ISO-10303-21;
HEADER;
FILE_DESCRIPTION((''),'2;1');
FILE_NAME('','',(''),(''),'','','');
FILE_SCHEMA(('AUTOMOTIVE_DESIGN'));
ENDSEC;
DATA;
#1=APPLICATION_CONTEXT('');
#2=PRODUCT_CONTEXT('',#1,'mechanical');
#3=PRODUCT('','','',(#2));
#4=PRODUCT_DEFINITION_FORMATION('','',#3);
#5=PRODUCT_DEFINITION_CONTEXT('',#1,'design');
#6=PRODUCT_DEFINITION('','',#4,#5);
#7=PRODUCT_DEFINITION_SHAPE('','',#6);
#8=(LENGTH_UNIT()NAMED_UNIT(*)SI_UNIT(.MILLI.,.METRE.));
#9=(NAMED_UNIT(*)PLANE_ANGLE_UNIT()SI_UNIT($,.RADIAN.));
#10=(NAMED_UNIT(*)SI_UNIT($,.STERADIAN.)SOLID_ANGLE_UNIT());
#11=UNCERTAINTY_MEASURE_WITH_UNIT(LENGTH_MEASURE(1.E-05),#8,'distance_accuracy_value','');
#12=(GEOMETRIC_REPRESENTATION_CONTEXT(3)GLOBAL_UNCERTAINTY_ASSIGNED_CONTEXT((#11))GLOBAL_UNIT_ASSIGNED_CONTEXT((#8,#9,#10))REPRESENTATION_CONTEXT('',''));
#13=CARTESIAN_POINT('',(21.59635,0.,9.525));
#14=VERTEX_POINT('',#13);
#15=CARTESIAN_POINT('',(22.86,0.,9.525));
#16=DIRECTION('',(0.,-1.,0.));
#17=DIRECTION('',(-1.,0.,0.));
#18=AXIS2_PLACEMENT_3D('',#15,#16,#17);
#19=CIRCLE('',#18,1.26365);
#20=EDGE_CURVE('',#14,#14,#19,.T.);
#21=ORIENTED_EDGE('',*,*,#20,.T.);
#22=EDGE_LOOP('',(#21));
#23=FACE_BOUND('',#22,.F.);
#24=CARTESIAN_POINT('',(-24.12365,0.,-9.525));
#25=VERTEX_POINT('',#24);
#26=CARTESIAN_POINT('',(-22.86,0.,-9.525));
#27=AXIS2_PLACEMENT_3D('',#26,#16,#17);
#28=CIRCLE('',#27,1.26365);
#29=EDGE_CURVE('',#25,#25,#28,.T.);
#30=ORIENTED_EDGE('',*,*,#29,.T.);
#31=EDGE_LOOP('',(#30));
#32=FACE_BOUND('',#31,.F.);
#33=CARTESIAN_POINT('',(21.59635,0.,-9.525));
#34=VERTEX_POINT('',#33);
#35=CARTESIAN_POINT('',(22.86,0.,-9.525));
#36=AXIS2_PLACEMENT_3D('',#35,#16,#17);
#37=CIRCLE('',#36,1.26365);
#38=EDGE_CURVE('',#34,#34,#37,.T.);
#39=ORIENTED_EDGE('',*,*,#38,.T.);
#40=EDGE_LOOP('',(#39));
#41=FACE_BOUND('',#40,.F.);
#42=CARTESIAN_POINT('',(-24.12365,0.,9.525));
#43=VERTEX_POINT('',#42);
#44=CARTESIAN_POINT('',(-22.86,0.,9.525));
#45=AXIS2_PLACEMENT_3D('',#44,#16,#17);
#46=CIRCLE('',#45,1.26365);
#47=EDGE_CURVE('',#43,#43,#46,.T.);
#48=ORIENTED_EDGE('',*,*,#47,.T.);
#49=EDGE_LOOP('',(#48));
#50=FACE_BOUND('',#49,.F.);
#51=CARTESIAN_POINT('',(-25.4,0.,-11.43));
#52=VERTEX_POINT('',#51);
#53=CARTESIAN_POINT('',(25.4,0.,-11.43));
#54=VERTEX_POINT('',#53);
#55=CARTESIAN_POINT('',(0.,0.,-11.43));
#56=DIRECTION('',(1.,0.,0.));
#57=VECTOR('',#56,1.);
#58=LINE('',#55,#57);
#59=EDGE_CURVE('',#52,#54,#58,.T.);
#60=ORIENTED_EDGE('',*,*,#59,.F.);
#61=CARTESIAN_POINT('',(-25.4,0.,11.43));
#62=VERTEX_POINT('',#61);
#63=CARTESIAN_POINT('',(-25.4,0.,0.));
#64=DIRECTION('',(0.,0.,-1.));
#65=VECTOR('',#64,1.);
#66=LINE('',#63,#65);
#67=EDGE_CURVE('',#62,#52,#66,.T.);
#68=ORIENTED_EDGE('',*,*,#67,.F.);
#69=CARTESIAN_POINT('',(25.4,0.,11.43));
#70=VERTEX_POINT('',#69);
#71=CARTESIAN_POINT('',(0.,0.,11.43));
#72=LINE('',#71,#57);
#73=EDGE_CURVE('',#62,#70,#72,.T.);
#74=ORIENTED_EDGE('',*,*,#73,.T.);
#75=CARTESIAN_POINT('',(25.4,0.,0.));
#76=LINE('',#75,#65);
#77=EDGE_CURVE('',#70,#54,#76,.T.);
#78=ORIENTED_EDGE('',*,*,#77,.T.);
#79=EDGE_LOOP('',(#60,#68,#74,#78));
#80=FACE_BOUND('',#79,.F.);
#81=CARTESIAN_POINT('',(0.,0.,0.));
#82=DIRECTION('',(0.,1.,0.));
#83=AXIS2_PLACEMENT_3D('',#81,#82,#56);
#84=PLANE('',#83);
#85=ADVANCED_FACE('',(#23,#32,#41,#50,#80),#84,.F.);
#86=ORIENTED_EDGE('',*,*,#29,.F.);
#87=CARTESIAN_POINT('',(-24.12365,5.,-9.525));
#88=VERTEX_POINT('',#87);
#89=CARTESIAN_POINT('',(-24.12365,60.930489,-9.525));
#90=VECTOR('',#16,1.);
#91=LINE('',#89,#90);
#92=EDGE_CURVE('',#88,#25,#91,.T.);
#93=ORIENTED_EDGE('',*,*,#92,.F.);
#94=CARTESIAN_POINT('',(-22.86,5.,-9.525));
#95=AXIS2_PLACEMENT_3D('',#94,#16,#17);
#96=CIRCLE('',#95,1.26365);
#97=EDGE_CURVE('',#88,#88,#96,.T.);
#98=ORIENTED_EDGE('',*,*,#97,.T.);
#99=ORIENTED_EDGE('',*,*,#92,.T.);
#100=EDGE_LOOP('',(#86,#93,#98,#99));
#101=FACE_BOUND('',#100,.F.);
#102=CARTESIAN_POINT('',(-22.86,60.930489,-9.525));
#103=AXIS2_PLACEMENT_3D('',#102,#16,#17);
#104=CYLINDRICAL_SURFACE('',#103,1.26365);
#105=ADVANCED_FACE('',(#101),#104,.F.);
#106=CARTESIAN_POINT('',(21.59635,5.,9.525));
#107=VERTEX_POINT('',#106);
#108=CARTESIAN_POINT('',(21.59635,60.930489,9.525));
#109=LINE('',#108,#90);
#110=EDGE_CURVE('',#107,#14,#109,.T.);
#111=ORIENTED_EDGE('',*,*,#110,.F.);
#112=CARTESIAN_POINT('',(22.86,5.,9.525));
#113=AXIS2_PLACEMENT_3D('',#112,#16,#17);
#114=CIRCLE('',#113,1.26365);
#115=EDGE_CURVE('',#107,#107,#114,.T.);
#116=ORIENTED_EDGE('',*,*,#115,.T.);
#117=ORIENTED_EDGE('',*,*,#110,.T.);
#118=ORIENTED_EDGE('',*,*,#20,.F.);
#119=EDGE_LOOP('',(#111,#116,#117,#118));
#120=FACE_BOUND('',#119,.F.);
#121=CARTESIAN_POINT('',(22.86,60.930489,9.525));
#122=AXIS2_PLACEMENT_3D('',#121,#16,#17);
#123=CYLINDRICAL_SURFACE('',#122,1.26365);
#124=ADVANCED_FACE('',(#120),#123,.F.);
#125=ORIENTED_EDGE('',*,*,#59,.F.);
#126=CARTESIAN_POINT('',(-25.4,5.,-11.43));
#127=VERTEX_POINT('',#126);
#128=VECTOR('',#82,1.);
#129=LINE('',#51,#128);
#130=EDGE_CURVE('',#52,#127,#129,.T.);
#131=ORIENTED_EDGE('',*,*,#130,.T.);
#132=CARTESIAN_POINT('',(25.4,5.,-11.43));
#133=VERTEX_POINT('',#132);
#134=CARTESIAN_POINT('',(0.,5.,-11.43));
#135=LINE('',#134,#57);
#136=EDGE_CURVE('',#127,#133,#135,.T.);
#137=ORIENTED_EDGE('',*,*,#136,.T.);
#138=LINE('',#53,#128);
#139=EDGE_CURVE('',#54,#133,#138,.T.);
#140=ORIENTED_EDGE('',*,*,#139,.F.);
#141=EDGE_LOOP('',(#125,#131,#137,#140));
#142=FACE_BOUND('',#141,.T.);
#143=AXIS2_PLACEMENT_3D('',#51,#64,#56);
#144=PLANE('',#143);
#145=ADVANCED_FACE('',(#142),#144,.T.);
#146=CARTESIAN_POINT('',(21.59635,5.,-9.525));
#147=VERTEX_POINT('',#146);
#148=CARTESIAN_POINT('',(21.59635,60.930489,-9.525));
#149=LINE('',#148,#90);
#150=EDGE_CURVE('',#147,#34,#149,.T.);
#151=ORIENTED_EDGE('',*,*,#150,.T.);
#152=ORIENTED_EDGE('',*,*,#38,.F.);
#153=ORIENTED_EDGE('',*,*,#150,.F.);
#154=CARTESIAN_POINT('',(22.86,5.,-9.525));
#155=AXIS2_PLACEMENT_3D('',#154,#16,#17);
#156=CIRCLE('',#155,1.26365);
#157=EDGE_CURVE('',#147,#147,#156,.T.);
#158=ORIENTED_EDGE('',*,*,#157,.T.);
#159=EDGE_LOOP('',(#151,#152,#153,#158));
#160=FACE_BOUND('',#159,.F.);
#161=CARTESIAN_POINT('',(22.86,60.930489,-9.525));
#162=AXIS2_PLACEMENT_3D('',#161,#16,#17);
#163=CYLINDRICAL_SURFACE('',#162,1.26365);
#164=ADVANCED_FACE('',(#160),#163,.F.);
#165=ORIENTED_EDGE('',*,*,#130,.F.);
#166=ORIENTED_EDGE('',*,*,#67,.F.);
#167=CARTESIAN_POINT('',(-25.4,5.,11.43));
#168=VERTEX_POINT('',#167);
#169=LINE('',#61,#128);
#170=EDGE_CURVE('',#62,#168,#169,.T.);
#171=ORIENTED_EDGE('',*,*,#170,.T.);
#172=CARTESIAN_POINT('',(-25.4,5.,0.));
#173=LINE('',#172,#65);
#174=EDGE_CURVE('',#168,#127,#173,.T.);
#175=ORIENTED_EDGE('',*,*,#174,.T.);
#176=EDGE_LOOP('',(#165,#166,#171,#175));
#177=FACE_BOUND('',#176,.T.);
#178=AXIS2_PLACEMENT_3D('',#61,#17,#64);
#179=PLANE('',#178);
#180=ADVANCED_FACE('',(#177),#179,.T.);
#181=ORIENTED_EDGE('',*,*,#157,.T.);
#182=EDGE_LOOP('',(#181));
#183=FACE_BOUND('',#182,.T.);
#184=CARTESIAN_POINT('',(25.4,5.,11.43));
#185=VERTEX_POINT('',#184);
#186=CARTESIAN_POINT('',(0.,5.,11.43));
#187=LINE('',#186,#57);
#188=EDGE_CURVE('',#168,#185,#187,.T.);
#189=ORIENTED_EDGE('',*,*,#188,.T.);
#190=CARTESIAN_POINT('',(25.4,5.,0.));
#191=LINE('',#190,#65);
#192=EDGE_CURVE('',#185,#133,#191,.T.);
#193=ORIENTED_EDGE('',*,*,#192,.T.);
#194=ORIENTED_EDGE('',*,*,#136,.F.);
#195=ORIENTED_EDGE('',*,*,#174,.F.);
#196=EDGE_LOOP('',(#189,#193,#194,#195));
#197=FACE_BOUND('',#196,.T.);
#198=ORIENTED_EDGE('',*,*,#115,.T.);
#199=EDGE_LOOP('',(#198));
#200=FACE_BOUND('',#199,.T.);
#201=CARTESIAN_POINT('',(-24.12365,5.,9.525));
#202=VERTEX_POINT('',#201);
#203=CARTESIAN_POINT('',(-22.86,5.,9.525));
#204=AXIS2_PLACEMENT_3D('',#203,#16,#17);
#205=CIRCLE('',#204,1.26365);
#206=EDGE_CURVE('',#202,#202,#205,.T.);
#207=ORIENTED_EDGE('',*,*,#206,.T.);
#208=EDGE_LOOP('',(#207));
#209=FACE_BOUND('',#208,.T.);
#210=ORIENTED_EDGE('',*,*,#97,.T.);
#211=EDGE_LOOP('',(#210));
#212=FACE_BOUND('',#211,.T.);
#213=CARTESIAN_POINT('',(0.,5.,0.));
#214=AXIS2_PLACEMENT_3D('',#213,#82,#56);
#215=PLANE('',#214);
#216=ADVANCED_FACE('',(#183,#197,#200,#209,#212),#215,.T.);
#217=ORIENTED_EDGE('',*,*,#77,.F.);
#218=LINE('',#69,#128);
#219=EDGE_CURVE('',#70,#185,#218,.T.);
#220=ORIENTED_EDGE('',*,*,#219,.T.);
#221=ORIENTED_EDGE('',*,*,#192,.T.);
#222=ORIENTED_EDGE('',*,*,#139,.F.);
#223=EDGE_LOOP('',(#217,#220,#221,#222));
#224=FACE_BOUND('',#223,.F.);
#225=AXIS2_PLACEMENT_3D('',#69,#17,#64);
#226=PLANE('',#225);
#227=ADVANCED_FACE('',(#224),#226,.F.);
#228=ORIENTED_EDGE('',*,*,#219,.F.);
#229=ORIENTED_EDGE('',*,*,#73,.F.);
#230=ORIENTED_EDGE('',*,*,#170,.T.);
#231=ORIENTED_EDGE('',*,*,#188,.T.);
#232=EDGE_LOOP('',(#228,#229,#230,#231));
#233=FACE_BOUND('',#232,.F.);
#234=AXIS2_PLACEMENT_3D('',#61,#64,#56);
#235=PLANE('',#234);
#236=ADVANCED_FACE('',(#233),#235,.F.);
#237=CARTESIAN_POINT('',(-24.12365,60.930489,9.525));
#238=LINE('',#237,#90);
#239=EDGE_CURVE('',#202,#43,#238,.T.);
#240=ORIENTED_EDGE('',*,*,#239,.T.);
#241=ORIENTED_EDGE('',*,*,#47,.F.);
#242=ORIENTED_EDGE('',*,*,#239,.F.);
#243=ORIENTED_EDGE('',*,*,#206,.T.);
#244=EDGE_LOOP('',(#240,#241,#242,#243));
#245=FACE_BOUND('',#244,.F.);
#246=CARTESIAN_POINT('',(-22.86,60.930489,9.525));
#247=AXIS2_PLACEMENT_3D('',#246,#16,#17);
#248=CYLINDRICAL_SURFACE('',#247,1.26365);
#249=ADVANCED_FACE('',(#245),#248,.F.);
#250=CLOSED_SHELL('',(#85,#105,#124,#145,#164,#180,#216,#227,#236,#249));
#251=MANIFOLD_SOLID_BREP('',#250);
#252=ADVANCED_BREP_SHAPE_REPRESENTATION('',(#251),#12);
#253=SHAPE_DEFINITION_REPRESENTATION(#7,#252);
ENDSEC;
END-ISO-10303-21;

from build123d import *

# Parameters (mm, degrees)
SKETCH1_W                    = 50.8
SKETCH1_H                    = 22.86
BOSS_EXTRUDE1_DEPTH          = 5
F_39_0_0995_DIAMETER_HOLE1_D = 2.5273


with BuildPart() as part:
    # Sketch1 → Boss-Extrude1 (new body)
    with BuildSketch(Plane(origin=(0, 0, 0), x_dir=(1, 0, 0), z_dir=(0, 1, 0))):
        Rectangle(SKETCH1_W, SKETCH1_H)
    extrude(amount=BOSS_EXTRUDE1_DEPTH)

    # #39 (0.0995) Diameter Hole1 (through all)
    with Locations(Plane(origin=(0, 5, 0), x_dir=(1, 0, 0), z_dir=(0, 1, 0))):
        with Locations((-22.86, 9.525), (-22.86, -9.525), (22.86, 9.525), (22.86, -9.525)):
            Hole(F_39_0_0995_DIAMETER_HOLE1_D / 2)


solid = part.part
